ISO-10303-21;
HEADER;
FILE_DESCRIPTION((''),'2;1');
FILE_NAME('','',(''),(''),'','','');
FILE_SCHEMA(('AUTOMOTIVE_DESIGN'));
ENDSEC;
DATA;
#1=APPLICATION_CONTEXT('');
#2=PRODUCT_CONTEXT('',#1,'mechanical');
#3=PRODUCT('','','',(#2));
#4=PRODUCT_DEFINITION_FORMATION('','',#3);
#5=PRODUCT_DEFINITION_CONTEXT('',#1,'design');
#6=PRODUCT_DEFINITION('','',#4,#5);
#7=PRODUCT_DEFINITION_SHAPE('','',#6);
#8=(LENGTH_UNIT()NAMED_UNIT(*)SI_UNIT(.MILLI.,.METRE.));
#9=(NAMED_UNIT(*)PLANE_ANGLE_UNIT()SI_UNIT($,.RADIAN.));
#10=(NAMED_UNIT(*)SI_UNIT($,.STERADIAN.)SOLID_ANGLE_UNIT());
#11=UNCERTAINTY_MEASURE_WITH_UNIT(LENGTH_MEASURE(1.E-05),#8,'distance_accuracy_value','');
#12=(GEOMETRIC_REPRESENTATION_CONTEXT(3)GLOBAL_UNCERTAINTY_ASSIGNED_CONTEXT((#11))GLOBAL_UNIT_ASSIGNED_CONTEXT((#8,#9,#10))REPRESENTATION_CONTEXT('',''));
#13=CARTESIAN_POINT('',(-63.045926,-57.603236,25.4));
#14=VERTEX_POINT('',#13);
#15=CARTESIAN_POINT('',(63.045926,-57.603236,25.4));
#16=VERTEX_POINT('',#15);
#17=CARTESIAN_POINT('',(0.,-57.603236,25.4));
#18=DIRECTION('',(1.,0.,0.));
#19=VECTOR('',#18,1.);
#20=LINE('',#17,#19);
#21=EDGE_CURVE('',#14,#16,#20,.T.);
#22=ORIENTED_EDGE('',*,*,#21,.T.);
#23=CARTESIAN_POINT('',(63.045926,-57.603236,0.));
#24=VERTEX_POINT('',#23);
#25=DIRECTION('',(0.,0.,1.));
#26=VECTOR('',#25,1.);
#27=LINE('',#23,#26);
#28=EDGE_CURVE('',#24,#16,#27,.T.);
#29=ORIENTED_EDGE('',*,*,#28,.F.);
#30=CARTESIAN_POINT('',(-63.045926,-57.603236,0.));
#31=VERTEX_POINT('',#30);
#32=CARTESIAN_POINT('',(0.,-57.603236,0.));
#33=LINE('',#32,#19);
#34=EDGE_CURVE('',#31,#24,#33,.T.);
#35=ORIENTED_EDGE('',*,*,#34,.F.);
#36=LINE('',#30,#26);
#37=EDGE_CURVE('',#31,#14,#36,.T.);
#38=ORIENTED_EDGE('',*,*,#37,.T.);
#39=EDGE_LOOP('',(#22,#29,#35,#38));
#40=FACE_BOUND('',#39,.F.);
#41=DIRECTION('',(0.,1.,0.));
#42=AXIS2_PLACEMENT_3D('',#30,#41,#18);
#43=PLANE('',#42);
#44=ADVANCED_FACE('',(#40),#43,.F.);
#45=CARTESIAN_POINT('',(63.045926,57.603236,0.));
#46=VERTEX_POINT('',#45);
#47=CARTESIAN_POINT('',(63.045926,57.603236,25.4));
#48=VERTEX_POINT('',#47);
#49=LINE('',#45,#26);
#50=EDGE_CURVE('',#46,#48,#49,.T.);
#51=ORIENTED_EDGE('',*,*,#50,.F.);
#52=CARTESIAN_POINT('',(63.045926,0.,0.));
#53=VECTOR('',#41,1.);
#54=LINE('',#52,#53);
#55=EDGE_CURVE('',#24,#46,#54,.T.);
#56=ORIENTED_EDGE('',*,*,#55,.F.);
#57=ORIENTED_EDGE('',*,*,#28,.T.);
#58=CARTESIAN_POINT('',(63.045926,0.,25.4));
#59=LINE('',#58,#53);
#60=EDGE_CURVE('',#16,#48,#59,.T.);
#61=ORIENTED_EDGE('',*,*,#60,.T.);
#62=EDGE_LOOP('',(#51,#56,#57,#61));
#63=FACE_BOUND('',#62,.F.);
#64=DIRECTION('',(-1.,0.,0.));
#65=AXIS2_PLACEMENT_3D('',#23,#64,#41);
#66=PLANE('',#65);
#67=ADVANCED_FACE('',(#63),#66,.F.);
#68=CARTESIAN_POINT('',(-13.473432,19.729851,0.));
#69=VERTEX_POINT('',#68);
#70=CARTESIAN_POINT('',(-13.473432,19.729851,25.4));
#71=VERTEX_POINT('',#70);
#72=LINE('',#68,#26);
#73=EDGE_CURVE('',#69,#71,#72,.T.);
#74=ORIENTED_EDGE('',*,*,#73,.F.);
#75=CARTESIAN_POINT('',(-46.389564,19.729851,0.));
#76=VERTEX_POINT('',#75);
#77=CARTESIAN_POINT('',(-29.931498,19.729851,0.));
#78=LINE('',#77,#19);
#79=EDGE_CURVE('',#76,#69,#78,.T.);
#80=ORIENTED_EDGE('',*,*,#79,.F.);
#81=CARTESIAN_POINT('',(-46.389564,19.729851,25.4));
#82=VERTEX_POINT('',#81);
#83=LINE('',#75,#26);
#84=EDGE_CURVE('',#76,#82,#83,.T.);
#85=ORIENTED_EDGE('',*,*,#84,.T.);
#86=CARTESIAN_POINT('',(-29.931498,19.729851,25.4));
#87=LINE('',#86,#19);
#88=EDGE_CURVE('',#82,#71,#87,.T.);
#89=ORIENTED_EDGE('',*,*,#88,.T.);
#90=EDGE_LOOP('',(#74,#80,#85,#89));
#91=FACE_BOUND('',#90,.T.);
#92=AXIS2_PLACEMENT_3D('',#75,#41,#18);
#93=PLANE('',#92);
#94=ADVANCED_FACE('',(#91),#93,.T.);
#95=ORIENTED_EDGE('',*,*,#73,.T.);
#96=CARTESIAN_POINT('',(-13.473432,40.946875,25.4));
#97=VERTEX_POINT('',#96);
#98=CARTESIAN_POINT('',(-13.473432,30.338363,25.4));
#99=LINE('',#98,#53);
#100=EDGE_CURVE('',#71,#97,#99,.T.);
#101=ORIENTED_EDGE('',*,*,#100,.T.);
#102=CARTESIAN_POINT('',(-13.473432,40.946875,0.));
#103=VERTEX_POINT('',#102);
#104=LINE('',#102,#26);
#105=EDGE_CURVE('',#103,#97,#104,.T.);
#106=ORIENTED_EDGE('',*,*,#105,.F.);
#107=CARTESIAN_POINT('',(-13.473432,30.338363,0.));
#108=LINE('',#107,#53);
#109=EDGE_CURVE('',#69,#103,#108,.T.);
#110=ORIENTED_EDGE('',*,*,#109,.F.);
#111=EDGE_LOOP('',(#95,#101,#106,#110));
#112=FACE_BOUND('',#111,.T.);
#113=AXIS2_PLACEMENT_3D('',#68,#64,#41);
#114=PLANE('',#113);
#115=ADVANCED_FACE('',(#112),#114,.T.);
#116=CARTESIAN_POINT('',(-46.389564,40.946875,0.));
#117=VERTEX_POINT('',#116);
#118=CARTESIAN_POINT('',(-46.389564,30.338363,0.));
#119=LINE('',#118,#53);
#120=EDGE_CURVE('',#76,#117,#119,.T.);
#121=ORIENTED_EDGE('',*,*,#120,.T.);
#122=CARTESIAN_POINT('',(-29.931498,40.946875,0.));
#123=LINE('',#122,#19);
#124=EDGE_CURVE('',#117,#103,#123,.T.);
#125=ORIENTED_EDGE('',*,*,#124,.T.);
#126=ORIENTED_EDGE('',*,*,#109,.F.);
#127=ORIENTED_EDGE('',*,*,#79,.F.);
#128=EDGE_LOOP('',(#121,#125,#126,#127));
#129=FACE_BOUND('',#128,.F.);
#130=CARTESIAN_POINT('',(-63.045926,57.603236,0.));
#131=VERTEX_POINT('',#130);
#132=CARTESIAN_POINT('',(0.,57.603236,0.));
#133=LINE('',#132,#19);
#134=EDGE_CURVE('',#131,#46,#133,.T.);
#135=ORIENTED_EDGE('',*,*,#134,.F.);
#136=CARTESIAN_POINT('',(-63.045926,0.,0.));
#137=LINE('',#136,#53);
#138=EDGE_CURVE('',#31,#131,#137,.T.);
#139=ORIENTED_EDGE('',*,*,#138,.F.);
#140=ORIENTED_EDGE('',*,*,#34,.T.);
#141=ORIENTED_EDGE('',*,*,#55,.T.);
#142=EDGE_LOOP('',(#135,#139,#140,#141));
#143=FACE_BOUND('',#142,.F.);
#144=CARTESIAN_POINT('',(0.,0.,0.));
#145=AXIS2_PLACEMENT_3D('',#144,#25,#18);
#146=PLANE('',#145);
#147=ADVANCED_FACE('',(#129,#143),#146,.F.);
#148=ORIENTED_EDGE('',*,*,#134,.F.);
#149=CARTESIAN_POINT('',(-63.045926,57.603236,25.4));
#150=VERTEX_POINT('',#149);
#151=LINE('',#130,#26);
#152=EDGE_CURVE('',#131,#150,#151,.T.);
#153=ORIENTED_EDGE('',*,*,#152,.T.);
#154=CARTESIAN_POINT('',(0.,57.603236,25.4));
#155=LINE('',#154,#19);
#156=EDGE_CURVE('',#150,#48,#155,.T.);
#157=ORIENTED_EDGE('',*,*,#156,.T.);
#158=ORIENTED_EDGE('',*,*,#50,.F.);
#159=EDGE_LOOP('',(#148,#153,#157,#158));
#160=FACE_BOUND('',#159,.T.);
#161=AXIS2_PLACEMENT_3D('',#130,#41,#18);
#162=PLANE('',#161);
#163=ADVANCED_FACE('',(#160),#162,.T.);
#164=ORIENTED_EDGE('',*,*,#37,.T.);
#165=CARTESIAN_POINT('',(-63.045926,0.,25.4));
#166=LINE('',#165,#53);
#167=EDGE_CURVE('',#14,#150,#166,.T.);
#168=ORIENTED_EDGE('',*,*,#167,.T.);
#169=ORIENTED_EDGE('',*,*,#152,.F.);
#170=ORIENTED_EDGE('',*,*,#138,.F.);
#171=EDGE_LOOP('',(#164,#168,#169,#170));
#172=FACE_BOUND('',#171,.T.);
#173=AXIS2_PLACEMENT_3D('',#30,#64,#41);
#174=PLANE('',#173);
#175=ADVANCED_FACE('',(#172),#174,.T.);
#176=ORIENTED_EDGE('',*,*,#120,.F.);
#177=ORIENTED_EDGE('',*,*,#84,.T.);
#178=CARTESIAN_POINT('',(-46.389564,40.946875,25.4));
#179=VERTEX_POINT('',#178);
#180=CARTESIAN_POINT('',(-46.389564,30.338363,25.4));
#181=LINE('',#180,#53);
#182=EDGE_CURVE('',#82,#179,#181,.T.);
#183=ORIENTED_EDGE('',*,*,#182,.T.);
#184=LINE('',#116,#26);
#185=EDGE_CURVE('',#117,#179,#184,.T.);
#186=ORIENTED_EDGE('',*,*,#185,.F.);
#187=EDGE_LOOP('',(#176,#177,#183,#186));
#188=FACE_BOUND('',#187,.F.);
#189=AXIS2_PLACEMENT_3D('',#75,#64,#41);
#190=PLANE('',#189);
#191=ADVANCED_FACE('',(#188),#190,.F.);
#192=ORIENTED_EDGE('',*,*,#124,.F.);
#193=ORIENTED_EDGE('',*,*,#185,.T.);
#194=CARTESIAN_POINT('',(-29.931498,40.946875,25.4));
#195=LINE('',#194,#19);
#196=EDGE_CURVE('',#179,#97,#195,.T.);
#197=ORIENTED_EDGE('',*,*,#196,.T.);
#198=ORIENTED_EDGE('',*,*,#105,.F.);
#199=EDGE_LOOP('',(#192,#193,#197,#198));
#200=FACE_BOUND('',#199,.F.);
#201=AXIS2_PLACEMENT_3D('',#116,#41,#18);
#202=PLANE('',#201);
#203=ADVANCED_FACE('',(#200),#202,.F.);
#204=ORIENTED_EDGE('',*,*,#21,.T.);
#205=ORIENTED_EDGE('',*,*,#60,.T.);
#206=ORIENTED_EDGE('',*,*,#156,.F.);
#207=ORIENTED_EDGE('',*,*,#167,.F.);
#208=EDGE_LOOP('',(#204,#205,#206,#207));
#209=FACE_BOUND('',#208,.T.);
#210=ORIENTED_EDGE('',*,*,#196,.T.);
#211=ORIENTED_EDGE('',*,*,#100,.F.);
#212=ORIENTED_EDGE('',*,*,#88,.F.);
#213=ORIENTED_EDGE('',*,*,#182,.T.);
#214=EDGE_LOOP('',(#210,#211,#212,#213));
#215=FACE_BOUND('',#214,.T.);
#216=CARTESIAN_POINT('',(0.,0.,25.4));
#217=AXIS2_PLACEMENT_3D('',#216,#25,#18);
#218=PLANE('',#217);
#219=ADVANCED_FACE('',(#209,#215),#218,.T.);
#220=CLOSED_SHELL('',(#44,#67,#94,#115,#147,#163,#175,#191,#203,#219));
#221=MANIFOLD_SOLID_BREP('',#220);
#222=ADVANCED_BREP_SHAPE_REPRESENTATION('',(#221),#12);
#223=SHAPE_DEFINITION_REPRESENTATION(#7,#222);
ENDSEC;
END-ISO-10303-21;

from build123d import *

# Parameters (mm, degrees)
F1_W     = 73.41028
F1_H     = 38.70118
F2_DEPTH = 25.4
F0_W     = 126.091852
F0_H     = 115.206472
F3_DEPTH = 25.4
F4_W     = 32.916133
F4_H     = 21.217024
F5_DEPTH = 25.4


with BuildPart() as f2:
    # F1 (on Top) → F2 (new body)
    with BuildSketch(Plane.XY):
        Rectangle(F1_W, F1_H)
    extrude(amount=F2_DEPTH)

    # F0 (on Top) → F3 (join)
    with BuildSketch(Plane.XY):
        Rectangle(F0_W, F0_H)
    extrude(amount=F3_DEPTH)

    # F4 (on Top) → F5 (cut)
    with BuildSketch(Plane.XY):
        with Locations((-29.931498, 30.338363)):
            Rectangle(F4_W, F4_H)
    extrude(amount=F5_DEPTH, mode=Mode.SUBTRACT)


solid = f2.part
